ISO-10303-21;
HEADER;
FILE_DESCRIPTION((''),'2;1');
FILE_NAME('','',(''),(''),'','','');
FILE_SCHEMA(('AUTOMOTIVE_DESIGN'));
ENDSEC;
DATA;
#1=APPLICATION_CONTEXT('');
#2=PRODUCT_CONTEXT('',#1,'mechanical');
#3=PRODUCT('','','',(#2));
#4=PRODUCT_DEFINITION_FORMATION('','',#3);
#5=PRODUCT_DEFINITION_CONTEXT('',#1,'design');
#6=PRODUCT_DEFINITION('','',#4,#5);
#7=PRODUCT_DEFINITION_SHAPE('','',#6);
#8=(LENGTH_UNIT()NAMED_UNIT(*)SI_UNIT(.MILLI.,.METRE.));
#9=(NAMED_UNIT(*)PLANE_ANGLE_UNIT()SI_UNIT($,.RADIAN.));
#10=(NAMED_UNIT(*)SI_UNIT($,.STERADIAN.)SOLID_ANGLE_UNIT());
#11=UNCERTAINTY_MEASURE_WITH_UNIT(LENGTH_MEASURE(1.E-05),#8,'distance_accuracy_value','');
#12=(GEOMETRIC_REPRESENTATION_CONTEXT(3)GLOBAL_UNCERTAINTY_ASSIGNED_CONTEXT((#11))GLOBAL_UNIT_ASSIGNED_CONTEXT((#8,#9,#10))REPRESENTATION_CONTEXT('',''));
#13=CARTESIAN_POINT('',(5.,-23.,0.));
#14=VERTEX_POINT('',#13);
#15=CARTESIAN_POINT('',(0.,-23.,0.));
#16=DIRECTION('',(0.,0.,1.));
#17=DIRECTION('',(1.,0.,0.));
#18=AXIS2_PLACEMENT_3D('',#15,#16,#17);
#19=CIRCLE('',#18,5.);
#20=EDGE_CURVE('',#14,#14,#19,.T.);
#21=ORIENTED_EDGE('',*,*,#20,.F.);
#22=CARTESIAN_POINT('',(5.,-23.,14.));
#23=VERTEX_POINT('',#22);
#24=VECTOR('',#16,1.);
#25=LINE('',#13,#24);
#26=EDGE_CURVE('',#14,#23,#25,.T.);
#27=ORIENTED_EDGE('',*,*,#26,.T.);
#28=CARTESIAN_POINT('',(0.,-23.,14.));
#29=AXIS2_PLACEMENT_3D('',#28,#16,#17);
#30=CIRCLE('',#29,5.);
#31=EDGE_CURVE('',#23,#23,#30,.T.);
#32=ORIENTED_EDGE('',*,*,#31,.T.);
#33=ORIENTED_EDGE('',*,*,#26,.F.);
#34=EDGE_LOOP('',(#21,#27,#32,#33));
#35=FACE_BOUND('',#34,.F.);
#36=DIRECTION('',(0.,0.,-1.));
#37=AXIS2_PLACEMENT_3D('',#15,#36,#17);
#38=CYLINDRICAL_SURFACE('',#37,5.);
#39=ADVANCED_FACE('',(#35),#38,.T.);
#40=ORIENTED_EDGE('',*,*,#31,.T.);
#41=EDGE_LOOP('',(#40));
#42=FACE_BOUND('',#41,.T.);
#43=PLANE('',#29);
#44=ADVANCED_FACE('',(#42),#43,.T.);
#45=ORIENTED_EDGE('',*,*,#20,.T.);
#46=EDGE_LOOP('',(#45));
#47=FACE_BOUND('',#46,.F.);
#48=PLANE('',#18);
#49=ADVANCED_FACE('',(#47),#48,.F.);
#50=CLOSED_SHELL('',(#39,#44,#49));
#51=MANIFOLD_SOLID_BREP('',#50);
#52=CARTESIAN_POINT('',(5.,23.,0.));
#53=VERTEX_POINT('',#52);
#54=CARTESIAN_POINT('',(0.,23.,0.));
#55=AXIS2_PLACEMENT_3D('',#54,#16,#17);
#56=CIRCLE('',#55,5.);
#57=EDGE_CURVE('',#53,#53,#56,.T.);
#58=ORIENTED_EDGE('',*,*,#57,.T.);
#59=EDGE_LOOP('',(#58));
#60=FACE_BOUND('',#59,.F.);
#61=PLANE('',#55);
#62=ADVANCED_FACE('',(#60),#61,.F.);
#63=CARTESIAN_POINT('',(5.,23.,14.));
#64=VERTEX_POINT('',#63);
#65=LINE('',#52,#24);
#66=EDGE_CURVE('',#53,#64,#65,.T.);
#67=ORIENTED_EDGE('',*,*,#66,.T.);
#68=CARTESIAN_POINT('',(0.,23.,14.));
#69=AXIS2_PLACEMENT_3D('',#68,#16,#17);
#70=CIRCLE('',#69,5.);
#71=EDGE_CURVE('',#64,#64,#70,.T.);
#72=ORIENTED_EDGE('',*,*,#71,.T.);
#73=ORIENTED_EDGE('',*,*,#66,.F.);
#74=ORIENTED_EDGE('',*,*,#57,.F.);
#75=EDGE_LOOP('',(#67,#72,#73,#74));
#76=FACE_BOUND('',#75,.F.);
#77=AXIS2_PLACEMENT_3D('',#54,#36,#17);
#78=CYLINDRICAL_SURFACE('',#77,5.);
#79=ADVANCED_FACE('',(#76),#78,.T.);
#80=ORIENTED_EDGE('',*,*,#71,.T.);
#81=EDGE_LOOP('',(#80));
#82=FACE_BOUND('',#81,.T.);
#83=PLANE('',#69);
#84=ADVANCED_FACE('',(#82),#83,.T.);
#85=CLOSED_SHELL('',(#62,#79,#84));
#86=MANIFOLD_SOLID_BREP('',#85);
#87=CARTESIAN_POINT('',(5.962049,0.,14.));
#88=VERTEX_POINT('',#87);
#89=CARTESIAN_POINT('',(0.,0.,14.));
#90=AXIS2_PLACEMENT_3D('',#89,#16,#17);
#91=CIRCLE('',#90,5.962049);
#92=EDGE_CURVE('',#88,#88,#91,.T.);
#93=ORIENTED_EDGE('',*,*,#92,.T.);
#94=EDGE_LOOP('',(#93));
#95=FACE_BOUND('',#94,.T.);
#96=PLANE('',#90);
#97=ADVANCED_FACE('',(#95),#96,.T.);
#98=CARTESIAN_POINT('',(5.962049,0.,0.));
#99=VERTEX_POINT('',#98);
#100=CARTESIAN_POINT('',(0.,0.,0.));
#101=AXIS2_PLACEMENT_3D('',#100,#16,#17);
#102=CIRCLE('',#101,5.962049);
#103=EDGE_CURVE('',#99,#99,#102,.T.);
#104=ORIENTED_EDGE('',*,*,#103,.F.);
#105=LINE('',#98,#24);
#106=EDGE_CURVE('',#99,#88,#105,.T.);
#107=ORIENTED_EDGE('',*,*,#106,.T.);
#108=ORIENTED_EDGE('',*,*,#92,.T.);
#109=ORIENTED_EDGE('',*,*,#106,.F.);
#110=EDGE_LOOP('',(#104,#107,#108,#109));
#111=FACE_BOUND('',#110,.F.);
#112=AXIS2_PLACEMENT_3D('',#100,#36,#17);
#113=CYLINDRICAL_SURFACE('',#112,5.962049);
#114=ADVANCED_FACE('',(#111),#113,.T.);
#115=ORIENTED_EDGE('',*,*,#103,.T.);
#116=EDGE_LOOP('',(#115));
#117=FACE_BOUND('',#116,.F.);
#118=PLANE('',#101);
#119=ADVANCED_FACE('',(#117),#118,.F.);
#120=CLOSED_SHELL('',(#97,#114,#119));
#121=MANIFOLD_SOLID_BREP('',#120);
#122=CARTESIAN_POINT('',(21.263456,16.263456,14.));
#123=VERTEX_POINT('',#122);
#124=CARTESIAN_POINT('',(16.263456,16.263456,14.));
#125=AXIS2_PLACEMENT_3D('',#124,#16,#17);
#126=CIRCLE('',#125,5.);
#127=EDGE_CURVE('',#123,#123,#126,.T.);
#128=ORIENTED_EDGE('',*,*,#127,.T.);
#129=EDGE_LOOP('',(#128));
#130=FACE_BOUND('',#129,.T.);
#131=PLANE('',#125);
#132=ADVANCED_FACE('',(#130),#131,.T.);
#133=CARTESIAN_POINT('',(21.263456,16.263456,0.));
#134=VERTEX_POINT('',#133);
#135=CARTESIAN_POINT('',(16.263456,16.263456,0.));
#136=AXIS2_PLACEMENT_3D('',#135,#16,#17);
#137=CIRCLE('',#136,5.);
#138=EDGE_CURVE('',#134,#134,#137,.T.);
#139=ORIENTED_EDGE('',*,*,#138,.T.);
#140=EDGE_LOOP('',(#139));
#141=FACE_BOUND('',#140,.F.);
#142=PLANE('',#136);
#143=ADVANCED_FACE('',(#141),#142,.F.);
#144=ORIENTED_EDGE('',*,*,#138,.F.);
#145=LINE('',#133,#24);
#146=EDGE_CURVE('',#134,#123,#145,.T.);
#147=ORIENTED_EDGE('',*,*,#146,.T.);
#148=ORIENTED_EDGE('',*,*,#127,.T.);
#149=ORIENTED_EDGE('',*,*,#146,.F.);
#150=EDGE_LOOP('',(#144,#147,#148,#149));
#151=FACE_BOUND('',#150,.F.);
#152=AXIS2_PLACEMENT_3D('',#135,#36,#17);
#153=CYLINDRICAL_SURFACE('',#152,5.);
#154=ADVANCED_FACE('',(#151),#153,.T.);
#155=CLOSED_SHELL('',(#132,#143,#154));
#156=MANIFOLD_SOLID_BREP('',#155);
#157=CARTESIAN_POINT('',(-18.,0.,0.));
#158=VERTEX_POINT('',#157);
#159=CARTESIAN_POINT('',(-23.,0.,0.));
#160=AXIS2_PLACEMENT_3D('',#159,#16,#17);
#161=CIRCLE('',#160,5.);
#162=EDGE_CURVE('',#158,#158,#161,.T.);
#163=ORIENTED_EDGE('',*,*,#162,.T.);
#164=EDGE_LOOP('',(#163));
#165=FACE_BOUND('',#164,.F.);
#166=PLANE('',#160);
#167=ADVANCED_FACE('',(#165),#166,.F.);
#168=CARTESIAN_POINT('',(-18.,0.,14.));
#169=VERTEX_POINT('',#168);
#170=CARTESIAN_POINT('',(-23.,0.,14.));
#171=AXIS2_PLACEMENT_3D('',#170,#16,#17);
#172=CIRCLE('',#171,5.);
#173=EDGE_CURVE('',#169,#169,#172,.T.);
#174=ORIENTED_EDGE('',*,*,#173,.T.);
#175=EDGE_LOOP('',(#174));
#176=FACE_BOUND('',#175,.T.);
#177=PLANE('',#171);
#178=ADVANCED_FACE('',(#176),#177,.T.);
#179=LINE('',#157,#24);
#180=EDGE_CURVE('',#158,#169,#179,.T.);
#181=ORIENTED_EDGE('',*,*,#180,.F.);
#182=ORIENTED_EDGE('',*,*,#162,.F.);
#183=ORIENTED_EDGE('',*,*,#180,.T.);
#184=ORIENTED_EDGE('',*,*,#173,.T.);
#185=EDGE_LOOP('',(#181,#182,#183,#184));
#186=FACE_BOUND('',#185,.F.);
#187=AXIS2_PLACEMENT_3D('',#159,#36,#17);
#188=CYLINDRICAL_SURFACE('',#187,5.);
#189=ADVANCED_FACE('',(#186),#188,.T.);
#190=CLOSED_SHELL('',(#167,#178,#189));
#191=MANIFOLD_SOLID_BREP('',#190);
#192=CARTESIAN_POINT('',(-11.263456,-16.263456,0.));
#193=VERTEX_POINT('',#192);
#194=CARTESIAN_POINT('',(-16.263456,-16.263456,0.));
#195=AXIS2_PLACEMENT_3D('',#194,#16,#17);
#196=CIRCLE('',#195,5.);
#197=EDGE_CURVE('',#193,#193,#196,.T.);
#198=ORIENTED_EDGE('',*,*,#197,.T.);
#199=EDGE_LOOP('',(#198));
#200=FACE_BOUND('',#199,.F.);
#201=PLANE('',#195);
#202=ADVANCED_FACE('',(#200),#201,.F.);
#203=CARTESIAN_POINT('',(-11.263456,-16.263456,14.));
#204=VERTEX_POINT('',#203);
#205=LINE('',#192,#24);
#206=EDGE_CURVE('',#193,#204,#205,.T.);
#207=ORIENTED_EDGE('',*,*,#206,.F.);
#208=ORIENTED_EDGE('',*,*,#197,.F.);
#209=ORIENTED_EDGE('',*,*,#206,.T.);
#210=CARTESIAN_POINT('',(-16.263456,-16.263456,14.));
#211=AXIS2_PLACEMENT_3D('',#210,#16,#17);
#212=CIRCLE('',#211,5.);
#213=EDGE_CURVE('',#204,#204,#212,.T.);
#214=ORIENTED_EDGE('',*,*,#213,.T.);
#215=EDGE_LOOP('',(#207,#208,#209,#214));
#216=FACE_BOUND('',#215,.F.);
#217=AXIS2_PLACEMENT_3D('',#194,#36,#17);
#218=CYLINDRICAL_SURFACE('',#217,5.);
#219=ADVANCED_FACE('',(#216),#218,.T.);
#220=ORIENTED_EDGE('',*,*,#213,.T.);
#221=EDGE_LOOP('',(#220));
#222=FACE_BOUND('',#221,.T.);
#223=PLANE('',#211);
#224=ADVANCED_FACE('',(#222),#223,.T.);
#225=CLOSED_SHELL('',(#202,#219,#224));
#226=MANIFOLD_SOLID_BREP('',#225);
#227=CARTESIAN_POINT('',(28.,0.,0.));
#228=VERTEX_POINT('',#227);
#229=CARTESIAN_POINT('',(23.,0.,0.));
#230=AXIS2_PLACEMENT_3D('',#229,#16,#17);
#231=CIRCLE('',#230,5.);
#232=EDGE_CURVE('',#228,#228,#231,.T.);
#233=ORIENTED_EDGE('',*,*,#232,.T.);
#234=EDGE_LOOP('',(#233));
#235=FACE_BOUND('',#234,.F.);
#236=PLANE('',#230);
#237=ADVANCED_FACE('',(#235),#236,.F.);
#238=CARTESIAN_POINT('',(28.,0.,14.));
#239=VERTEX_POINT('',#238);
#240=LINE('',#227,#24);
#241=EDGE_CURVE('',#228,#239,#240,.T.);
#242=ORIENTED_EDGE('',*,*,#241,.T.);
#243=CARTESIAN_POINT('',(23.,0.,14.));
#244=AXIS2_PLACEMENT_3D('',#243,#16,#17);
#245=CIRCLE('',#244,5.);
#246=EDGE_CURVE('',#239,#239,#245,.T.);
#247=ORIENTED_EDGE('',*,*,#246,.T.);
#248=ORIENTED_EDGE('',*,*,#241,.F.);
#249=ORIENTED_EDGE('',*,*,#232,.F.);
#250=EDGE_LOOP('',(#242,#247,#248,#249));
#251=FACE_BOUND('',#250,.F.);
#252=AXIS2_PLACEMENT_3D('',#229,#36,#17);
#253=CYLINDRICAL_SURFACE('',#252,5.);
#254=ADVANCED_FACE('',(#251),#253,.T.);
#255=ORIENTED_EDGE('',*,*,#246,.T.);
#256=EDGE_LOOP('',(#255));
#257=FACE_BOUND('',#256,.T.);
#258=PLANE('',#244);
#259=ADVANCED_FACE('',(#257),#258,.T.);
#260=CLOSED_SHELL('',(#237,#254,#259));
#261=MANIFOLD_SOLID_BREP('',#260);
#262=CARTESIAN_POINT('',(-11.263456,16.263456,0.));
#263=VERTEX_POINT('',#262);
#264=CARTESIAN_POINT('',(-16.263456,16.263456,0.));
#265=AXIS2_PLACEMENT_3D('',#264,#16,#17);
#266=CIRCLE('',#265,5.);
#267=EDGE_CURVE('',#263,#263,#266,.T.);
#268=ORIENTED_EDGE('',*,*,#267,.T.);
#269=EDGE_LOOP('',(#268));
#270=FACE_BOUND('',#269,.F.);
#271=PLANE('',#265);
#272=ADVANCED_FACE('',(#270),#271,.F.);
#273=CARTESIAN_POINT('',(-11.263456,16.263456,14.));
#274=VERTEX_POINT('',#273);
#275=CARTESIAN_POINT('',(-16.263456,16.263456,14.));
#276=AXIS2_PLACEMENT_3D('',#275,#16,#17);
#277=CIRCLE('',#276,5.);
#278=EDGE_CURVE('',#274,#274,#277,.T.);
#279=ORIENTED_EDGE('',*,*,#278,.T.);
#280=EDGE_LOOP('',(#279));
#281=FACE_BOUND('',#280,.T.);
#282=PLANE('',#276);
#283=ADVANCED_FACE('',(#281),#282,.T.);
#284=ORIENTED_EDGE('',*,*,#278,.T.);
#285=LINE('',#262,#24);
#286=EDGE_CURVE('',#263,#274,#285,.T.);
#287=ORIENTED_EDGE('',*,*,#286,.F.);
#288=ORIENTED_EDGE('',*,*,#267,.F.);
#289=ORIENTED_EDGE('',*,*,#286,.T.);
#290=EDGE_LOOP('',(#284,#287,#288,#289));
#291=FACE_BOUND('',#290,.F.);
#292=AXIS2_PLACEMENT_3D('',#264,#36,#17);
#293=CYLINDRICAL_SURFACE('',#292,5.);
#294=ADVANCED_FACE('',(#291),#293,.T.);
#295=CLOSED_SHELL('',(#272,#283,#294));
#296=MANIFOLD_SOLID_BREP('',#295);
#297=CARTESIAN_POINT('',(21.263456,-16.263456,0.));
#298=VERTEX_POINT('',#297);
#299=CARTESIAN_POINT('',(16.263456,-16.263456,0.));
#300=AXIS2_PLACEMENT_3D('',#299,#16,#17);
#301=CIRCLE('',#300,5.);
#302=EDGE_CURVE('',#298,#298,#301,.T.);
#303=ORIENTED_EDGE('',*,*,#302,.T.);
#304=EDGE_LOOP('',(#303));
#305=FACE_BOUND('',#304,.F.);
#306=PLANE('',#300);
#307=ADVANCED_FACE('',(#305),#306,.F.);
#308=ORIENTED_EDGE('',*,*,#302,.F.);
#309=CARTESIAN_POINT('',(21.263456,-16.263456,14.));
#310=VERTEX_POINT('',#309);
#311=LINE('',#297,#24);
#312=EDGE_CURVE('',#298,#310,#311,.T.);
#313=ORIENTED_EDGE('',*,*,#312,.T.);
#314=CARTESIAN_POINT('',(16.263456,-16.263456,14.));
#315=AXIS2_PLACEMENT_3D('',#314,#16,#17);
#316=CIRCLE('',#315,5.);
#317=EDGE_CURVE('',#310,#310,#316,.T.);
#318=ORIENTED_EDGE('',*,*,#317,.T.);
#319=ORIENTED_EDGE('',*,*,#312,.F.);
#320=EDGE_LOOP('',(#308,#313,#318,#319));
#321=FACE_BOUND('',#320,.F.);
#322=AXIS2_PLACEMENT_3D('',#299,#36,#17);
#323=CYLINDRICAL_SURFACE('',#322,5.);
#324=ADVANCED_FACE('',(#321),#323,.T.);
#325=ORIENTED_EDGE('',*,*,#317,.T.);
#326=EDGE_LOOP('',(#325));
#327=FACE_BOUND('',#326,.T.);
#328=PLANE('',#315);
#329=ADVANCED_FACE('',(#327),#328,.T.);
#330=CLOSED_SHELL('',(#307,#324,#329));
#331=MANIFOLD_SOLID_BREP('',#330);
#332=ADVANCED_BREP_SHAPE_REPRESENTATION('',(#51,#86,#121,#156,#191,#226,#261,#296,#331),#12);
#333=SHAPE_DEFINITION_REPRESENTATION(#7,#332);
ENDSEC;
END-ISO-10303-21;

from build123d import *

# Parameters (mm, degrees)
F0_R     = 5.962049
F0_R_2   = 5
F1_DEPTH = 14


with BuildPart() as f1:
    # F0 (on Top) → F1 (new body)
    with BuildSketch(Plane.XY):
        Circle(F0_R)
        with Locations((0, 23)):
            Circle(F0_R_2)
        with Locations((-16.263456, 16.263456)):
            Circle(F0_R_2)
        with Locations((-23, 0)):
            Circle(F0_R_2)
        with Locations((-16.263456, -16.263456)):
            Circle(F0_R_2)
        with Locations((0, -23)):
            Circle(F0_R_2)
        with Locations((16.263456, -16.263456)):
            Circle(F0_R_2)
        with Locations((23, 0)):
            Circle(F0_R_2)
        with Locations((16.263456, 16.263456)):
            Circle(F0_R_2)
    extrude(amount=F1_DEPTH)


solid = f1.part
